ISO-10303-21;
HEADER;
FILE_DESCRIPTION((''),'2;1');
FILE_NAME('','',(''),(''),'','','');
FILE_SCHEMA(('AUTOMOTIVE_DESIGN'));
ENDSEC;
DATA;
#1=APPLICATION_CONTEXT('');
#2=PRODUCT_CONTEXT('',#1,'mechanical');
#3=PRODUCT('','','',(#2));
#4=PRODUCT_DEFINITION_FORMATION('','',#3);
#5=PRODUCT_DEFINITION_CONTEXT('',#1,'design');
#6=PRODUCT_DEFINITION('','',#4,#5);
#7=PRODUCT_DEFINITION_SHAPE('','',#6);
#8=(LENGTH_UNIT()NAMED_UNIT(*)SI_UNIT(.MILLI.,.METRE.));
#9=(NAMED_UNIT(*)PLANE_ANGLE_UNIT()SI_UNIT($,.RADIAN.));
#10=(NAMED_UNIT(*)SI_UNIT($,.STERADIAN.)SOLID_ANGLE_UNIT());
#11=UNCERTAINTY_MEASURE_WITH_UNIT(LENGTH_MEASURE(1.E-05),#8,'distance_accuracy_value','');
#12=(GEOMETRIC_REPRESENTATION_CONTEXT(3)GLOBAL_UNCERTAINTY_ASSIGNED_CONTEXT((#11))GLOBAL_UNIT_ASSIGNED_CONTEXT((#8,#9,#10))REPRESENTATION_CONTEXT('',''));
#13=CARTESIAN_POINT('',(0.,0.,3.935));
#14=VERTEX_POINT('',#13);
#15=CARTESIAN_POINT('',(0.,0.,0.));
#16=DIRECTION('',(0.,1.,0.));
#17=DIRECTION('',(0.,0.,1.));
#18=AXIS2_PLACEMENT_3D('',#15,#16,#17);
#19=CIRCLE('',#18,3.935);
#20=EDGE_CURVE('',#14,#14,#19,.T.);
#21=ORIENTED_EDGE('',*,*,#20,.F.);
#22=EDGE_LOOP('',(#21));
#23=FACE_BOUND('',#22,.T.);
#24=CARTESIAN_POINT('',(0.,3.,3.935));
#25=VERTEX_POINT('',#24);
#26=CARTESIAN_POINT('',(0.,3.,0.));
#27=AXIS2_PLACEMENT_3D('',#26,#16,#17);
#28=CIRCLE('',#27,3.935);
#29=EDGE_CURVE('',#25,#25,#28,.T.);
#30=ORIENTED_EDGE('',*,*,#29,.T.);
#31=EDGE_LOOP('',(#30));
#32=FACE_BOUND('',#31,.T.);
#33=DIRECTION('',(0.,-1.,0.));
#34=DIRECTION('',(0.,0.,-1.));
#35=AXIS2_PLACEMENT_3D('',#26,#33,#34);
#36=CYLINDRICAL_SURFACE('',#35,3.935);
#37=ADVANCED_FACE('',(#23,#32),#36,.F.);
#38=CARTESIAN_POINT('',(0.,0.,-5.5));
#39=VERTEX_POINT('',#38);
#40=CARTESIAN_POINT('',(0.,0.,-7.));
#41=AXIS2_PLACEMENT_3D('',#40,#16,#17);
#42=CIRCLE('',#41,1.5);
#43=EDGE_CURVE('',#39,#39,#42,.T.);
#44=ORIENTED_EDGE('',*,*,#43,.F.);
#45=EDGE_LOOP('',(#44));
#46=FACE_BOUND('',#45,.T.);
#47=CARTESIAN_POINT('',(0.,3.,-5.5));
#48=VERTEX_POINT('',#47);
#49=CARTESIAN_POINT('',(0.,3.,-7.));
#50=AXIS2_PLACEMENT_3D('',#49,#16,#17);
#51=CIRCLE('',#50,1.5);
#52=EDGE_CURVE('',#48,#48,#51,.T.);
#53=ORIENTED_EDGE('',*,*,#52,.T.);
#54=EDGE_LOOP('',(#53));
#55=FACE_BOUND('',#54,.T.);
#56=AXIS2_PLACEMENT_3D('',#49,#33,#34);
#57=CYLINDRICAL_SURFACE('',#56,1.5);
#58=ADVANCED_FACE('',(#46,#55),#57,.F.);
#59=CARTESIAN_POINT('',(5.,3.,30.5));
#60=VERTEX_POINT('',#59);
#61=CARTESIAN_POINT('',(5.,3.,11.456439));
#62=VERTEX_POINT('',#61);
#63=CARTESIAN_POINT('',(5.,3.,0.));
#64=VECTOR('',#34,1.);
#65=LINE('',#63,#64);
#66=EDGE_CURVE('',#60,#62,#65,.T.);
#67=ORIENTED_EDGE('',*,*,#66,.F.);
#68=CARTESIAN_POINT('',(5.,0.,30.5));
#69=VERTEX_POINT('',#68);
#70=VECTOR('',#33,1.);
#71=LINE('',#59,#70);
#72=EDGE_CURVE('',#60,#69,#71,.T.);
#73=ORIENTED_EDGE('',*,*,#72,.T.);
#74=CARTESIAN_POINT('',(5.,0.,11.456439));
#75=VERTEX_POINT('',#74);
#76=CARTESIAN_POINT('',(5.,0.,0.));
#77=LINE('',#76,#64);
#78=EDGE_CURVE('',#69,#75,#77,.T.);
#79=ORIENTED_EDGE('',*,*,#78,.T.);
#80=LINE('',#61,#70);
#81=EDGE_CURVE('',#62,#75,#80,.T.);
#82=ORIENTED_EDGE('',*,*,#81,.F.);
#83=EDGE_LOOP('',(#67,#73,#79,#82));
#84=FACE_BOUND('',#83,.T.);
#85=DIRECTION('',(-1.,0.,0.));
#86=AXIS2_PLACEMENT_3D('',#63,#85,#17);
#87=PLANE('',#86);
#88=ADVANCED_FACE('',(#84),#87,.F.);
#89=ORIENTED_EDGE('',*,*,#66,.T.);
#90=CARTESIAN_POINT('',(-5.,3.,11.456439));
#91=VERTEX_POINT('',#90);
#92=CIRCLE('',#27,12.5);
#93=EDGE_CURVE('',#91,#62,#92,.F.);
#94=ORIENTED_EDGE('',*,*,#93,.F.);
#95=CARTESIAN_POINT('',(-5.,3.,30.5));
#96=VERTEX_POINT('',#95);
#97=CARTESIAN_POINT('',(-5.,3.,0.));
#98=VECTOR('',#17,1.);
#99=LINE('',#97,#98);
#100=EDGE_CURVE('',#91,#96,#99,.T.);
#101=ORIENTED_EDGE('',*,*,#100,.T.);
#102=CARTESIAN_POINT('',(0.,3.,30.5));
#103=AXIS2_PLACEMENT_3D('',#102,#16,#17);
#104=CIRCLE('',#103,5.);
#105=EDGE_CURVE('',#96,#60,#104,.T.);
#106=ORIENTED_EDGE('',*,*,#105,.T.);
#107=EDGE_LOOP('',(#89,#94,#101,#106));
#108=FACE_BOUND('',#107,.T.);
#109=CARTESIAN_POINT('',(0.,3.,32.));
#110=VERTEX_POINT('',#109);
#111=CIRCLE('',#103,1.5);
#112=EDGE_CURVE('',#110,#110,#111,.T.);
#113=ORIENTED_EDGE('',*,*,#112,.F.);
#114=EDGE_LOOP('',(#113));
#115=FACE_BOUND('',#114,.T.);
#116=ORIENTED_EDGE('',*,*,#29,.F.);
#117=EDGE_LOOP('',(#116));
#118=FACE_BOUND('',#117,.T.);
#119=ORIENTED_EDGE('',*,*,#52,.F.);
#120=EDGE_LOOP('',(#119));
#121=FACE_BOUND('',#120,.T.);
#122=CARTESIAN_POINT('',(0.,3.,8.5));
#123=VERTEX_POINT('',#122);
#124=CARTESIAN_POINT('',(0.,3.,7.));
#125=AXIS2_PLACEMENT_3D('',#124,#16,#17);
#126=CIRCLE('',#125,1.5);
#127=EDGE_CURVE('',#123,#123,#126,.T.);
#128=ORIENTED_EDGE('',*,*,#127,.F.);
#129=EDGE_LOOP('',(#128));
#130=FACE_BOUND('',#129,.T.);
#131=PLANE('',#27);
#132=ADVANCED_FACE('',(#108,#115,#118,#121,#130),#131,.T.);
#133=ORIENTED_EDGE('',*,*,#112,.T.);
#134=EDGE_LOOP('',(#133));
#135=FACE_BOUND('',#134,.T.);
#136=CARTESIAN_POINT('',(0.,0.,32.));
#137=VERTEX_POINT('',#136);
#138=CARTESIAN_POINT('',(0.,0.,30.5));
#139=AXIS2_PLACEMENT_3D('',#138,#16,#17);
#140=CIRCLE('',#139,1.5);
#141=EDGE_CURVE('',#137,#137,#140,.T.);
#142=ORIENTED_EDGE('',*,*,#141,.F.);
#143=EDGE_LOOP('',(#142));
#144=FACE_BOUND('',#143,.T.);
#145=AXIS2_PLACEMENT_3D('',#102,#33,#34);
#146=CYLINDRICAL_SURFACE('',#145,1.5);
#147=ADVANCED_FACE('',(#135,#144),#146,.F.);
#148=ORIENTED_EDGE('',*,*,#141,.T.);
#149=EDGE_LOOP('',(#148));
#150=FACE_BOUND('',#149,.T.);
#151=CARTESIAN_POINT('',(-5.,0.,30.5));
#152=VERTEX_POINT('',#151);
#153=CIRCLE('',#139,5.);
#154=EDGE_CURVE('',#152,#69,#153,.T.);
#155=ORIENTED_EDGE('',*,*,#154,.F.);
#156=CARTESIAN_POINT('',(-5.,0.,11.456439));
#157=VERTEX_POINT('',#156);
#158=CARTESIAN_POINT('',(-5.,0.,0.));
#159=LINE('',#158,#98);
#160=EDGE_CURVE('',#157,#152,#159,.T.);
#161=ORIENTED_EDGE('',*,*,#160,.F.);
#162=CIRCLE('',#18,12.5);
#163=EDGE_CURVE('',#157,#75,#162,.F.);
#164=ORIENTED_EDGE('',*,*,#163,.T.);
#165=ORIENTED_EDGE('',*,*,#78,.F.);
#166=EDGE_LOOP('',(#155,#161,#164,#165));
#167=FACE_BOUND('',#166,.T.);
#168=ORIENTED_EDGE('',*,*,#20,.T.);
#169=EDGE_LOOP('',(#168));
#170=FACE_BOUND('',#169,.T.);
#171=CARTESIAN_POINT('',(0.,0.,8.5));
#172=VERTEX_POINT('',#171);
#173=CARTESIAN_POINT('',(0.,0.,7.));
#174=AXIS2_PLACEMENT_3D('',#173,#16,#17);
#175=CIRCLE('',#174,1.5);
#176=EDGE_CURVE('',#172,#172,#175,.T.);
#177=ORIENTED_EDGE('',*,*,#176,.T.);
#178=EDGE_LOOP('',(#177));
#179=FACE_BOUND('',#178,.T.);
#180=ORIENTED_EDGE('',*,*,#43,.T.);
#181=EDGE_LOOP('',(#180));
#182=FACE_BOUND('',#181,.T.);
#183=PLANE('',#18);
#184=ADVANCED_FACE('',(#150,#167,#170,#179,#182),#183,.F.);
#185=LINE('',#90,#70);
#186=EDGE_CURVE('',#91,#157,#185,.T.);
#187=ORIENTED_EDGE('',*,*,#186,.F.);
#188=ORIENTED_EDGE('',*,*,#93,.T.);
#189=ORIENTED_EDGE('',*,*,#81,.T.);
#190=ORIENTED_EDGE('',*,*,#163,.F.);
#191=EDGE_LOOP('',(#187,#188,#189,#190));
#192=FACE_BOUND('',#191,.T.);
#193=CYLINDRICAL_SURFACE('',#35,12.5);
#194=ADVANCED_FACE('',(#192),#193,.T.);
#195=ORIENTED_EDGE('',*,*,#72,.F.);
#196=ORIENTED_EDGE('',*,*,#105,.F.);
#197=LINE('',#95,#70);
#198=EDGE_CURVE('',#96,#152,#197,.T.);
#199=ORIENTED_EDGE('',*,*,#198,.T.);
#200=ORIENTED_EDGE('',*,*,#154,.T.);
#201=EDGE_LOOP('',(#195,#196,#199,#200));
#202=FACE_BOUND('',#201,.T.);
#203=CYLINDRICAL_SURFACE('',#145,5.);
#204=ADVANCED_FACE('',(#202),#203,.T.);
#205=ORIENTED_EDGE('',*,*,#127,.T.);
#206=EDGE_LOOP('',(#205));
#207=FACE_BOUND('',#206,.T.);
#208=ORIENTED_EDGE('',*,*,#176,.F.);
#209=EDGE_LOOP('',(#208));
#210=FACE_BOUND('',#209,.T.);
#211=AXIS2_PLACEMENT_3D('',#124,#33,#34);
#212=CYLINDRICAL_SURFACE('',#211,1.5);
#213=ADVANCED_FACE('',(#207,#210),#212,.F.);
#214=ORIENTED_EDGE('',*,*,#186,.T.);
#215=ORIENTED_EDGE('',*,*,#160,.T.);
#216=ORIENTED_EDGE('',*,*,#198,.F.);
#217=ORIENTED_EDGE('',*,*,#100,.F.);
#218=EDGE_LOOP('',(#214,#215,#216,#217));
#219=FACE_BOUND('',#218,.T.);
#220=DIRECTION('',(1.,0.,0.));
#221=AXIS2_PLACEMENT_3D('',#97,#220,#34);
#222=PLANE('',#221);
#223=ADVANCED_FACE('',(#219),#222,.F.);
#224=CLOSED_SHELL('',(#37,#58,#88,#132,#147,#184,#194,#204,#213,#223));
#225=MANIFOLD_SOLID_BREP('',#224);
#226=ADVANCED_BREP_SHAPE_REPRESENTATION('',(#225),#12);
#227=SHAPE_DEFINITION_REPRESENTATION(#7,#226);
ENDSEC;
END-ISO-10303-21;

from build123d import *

# Parameters (mm, degrees)
SKETCH1_R           = 3.935
SKETCH1_R_2         = 1.5
BOSS_EXTRUDE1_DEPTH = 3


with BuildPart() as part:
    # Sketch1 → Boss-Extrude1 (new body)
    with BuildSketch(Plane(origin=(0, 0, 0), x_dir=(1, 0, 0), z_dir=(0, 1, 0))):
        with BuildLine():
            Line((-5, -11.456439237), (-5, -30.5))
            ThreePointArc((-5, -30.5), (0, -35.5), (5, -30.5))
            Line((5, -30.5), (5, -11.456439237))
            ThreePointArc((5, -11.456439237), (0, 12.5), (-5, -11.456439237))
        make_face()
        with Locations(Location((0, 0, 0), (0, 0, 270))):
            Circle(SKETCH1_R, mode=Mode.SUBTRACT)
        with Locations(Location((0, 7, 0), (0, 0, 270))):
            Circle(SKETCH1_R_2, mode=Mode.SUBTRACT)
        with Locations(Location((0, -7, 0), (0, 0, 270))):
            Circle(SKETCH1_R_2, mode=Mode.SUBTRACT)
        with Locations(Location((0, -30.5, 0), (0, 0, 270))):
            Circle(SKETCH1_R_2, mode=Mode.SUBTRACT)
    extrude(amount=BOSS_EXTRUDE1_DEPTH)


solid = part.part
